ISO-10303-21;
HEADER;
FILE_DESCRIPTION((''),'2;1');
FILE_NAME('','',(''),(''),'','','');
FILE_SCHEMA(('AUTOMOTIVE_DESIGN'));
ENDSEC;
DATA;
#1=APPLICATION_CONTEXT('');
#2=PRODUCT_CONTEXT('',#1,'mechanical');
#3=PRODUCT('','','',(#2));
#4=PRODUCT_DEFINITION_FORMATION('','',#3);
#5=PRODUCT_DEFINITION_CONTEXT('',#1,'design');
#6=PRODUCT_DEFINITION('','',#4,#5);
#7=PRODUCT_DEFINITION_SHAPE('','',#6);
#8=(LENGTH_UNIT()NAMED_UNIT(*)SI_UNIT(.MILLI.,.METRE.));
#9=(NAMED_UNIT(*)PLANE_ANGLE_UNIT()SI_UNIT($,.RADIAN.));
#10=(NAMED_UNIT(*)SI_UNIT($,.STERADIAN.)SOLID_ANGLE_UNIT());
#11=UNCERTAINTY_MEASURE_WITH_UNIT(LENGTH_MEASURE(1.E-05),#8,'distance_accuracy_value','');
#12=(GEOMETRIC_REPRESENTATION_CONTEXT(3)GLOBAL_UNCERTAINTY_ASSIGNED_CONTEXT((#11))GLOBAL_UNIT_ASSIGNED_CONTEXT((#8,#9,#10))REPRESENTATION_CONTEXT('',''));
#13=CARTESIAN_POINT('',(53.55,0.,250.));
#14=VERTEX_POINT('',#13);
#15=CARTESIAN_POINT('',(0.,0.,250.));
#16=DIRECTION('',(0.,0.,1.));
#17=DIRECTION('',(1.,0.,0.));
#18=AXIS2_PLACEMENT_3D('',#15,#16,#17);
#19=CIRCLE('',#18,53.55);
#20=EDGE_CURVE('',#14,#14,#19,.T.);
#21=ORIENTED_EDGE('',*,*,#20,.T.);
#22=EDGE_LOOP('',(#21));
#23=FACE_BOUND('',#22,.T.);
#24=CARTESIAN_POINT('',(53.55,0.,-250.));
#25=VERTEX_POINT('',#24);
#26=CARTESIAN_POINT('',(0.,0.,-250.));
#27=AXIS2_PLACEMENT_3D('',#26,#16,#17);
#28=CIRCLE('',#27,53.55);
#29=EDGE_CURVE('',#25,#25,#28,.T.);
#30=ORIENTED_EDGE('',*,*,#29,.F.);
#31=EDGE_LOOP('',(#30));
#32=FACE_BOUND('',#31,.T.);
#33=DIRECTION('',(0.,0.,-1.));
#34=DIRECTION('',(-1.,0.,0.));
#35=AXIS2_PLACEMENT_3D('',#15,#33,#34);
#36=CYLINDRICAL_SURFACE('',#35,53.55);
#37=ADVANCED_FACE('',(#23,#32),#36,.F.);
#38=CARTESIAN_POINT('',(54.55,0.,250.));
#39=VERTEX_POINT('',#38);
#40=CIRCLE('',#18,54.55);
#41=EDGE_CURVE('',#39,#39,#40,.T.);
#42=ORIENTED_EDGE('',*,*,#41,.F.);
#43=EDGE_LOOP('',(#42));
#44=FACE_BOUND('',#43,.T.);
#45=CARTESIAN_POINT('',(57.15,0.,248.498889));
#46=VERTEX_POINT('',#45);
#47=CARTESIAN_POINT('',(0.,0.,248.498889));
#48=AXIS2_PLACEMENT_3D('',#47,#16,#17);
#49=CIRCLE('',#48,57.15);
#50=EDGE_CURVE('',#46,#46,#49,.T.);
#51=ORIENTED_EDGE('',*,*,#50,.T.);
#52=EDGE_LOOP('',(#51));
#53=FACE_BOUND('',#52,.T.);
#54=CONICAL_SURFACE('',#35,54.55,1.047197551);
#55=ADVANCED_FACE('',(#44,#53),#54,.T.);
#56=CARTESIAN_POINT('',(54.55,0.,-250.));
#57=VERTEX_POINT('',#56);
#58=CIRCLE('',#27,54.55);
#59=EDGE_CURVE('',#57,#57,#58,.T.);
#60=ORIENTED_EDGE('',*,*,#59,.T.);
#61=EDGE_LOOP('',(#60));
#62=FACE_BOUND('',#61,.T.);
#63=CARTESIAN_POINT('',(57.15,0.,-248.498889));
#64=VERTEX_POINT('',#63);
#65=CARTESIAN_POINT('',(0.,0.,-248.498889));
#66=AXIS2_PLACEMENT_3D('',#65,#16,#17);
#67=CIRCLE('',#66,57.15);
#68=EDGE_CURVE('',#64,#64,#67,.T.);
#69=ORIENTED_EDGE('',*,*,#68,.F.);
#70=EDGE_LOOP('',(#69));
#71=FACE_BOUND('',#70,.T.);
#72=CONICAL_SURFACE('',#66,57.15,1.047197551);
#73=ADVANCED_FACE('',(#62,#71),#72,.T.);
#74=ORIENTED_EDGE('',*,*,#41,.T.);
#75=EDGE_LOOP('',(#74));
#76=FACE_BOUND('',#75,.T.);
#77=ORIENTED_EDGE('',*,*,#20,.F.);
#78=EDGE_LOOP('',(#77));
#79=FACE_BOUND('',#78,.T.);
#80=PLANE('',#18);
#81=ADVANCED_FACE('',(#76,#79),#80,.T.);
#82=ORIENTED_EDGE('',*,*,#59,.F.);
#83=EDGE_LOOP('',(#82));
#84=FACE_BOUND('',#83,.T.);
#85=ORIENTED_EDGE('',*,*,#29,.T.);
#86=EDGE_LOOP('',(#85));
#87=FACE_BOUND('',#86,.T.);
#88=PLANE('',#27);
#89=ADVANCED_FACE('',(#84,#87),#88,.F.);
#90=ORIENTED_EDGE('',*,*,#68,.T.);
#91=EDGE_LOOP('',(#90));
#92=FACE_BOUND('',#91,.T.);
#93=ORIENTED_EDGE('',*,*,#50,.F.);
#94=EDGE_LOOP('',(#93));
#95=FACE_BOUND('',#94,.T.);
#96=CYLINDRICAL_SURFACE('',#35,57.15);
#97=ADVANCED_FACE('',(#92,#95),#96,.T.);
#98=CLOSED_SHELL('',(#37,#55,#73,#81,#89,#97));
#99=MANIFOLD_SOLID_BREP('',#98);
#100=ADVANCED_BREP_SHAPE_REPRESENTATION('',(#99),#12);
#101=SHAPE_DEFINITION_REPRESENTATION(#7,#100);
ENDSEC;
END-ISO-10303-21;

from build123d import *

# Parameters (mm, degrees)
DA_R       = 57.15
DA_R_2     = 53.55
ROHR_DEPTH = 250


with BuildPart() as part:
    # da → Rohr (new body, symmetric)
    with BuildSketch(Plane.XY):
        Circle(DA_R)
        Circle(DA_R_2, mode=Mode.SUBTRACT)
    extrude(amount=ROHR_DEPTH, both=True)

    # Skizze1 → Fase (revolve, cut)
    with BuildSketch(Plane(origin=(0, 0, 0), x_dir=(1, 0, 0), z_dir=(0, 1, 0)), mode=Mode.PRIVATE) as fase_sk:
        Polygon((-54.55, -250), (-57.15, -248.4988893), (-57.15, -250), align=None)
        Polygon((-57.15, 250), (-54.55, 250), (-57.15, 248.4988893), align=None)
    revolve(fase_sk.sketch.rotate(Axis((0, 0, 250), (0, 0, -1)), 180), axis=Axis((0, 0, 250), (0, 0, -1)), mode=Mode.SUBTRACT)  # turned: the seam where the file's is


solid = part.part
